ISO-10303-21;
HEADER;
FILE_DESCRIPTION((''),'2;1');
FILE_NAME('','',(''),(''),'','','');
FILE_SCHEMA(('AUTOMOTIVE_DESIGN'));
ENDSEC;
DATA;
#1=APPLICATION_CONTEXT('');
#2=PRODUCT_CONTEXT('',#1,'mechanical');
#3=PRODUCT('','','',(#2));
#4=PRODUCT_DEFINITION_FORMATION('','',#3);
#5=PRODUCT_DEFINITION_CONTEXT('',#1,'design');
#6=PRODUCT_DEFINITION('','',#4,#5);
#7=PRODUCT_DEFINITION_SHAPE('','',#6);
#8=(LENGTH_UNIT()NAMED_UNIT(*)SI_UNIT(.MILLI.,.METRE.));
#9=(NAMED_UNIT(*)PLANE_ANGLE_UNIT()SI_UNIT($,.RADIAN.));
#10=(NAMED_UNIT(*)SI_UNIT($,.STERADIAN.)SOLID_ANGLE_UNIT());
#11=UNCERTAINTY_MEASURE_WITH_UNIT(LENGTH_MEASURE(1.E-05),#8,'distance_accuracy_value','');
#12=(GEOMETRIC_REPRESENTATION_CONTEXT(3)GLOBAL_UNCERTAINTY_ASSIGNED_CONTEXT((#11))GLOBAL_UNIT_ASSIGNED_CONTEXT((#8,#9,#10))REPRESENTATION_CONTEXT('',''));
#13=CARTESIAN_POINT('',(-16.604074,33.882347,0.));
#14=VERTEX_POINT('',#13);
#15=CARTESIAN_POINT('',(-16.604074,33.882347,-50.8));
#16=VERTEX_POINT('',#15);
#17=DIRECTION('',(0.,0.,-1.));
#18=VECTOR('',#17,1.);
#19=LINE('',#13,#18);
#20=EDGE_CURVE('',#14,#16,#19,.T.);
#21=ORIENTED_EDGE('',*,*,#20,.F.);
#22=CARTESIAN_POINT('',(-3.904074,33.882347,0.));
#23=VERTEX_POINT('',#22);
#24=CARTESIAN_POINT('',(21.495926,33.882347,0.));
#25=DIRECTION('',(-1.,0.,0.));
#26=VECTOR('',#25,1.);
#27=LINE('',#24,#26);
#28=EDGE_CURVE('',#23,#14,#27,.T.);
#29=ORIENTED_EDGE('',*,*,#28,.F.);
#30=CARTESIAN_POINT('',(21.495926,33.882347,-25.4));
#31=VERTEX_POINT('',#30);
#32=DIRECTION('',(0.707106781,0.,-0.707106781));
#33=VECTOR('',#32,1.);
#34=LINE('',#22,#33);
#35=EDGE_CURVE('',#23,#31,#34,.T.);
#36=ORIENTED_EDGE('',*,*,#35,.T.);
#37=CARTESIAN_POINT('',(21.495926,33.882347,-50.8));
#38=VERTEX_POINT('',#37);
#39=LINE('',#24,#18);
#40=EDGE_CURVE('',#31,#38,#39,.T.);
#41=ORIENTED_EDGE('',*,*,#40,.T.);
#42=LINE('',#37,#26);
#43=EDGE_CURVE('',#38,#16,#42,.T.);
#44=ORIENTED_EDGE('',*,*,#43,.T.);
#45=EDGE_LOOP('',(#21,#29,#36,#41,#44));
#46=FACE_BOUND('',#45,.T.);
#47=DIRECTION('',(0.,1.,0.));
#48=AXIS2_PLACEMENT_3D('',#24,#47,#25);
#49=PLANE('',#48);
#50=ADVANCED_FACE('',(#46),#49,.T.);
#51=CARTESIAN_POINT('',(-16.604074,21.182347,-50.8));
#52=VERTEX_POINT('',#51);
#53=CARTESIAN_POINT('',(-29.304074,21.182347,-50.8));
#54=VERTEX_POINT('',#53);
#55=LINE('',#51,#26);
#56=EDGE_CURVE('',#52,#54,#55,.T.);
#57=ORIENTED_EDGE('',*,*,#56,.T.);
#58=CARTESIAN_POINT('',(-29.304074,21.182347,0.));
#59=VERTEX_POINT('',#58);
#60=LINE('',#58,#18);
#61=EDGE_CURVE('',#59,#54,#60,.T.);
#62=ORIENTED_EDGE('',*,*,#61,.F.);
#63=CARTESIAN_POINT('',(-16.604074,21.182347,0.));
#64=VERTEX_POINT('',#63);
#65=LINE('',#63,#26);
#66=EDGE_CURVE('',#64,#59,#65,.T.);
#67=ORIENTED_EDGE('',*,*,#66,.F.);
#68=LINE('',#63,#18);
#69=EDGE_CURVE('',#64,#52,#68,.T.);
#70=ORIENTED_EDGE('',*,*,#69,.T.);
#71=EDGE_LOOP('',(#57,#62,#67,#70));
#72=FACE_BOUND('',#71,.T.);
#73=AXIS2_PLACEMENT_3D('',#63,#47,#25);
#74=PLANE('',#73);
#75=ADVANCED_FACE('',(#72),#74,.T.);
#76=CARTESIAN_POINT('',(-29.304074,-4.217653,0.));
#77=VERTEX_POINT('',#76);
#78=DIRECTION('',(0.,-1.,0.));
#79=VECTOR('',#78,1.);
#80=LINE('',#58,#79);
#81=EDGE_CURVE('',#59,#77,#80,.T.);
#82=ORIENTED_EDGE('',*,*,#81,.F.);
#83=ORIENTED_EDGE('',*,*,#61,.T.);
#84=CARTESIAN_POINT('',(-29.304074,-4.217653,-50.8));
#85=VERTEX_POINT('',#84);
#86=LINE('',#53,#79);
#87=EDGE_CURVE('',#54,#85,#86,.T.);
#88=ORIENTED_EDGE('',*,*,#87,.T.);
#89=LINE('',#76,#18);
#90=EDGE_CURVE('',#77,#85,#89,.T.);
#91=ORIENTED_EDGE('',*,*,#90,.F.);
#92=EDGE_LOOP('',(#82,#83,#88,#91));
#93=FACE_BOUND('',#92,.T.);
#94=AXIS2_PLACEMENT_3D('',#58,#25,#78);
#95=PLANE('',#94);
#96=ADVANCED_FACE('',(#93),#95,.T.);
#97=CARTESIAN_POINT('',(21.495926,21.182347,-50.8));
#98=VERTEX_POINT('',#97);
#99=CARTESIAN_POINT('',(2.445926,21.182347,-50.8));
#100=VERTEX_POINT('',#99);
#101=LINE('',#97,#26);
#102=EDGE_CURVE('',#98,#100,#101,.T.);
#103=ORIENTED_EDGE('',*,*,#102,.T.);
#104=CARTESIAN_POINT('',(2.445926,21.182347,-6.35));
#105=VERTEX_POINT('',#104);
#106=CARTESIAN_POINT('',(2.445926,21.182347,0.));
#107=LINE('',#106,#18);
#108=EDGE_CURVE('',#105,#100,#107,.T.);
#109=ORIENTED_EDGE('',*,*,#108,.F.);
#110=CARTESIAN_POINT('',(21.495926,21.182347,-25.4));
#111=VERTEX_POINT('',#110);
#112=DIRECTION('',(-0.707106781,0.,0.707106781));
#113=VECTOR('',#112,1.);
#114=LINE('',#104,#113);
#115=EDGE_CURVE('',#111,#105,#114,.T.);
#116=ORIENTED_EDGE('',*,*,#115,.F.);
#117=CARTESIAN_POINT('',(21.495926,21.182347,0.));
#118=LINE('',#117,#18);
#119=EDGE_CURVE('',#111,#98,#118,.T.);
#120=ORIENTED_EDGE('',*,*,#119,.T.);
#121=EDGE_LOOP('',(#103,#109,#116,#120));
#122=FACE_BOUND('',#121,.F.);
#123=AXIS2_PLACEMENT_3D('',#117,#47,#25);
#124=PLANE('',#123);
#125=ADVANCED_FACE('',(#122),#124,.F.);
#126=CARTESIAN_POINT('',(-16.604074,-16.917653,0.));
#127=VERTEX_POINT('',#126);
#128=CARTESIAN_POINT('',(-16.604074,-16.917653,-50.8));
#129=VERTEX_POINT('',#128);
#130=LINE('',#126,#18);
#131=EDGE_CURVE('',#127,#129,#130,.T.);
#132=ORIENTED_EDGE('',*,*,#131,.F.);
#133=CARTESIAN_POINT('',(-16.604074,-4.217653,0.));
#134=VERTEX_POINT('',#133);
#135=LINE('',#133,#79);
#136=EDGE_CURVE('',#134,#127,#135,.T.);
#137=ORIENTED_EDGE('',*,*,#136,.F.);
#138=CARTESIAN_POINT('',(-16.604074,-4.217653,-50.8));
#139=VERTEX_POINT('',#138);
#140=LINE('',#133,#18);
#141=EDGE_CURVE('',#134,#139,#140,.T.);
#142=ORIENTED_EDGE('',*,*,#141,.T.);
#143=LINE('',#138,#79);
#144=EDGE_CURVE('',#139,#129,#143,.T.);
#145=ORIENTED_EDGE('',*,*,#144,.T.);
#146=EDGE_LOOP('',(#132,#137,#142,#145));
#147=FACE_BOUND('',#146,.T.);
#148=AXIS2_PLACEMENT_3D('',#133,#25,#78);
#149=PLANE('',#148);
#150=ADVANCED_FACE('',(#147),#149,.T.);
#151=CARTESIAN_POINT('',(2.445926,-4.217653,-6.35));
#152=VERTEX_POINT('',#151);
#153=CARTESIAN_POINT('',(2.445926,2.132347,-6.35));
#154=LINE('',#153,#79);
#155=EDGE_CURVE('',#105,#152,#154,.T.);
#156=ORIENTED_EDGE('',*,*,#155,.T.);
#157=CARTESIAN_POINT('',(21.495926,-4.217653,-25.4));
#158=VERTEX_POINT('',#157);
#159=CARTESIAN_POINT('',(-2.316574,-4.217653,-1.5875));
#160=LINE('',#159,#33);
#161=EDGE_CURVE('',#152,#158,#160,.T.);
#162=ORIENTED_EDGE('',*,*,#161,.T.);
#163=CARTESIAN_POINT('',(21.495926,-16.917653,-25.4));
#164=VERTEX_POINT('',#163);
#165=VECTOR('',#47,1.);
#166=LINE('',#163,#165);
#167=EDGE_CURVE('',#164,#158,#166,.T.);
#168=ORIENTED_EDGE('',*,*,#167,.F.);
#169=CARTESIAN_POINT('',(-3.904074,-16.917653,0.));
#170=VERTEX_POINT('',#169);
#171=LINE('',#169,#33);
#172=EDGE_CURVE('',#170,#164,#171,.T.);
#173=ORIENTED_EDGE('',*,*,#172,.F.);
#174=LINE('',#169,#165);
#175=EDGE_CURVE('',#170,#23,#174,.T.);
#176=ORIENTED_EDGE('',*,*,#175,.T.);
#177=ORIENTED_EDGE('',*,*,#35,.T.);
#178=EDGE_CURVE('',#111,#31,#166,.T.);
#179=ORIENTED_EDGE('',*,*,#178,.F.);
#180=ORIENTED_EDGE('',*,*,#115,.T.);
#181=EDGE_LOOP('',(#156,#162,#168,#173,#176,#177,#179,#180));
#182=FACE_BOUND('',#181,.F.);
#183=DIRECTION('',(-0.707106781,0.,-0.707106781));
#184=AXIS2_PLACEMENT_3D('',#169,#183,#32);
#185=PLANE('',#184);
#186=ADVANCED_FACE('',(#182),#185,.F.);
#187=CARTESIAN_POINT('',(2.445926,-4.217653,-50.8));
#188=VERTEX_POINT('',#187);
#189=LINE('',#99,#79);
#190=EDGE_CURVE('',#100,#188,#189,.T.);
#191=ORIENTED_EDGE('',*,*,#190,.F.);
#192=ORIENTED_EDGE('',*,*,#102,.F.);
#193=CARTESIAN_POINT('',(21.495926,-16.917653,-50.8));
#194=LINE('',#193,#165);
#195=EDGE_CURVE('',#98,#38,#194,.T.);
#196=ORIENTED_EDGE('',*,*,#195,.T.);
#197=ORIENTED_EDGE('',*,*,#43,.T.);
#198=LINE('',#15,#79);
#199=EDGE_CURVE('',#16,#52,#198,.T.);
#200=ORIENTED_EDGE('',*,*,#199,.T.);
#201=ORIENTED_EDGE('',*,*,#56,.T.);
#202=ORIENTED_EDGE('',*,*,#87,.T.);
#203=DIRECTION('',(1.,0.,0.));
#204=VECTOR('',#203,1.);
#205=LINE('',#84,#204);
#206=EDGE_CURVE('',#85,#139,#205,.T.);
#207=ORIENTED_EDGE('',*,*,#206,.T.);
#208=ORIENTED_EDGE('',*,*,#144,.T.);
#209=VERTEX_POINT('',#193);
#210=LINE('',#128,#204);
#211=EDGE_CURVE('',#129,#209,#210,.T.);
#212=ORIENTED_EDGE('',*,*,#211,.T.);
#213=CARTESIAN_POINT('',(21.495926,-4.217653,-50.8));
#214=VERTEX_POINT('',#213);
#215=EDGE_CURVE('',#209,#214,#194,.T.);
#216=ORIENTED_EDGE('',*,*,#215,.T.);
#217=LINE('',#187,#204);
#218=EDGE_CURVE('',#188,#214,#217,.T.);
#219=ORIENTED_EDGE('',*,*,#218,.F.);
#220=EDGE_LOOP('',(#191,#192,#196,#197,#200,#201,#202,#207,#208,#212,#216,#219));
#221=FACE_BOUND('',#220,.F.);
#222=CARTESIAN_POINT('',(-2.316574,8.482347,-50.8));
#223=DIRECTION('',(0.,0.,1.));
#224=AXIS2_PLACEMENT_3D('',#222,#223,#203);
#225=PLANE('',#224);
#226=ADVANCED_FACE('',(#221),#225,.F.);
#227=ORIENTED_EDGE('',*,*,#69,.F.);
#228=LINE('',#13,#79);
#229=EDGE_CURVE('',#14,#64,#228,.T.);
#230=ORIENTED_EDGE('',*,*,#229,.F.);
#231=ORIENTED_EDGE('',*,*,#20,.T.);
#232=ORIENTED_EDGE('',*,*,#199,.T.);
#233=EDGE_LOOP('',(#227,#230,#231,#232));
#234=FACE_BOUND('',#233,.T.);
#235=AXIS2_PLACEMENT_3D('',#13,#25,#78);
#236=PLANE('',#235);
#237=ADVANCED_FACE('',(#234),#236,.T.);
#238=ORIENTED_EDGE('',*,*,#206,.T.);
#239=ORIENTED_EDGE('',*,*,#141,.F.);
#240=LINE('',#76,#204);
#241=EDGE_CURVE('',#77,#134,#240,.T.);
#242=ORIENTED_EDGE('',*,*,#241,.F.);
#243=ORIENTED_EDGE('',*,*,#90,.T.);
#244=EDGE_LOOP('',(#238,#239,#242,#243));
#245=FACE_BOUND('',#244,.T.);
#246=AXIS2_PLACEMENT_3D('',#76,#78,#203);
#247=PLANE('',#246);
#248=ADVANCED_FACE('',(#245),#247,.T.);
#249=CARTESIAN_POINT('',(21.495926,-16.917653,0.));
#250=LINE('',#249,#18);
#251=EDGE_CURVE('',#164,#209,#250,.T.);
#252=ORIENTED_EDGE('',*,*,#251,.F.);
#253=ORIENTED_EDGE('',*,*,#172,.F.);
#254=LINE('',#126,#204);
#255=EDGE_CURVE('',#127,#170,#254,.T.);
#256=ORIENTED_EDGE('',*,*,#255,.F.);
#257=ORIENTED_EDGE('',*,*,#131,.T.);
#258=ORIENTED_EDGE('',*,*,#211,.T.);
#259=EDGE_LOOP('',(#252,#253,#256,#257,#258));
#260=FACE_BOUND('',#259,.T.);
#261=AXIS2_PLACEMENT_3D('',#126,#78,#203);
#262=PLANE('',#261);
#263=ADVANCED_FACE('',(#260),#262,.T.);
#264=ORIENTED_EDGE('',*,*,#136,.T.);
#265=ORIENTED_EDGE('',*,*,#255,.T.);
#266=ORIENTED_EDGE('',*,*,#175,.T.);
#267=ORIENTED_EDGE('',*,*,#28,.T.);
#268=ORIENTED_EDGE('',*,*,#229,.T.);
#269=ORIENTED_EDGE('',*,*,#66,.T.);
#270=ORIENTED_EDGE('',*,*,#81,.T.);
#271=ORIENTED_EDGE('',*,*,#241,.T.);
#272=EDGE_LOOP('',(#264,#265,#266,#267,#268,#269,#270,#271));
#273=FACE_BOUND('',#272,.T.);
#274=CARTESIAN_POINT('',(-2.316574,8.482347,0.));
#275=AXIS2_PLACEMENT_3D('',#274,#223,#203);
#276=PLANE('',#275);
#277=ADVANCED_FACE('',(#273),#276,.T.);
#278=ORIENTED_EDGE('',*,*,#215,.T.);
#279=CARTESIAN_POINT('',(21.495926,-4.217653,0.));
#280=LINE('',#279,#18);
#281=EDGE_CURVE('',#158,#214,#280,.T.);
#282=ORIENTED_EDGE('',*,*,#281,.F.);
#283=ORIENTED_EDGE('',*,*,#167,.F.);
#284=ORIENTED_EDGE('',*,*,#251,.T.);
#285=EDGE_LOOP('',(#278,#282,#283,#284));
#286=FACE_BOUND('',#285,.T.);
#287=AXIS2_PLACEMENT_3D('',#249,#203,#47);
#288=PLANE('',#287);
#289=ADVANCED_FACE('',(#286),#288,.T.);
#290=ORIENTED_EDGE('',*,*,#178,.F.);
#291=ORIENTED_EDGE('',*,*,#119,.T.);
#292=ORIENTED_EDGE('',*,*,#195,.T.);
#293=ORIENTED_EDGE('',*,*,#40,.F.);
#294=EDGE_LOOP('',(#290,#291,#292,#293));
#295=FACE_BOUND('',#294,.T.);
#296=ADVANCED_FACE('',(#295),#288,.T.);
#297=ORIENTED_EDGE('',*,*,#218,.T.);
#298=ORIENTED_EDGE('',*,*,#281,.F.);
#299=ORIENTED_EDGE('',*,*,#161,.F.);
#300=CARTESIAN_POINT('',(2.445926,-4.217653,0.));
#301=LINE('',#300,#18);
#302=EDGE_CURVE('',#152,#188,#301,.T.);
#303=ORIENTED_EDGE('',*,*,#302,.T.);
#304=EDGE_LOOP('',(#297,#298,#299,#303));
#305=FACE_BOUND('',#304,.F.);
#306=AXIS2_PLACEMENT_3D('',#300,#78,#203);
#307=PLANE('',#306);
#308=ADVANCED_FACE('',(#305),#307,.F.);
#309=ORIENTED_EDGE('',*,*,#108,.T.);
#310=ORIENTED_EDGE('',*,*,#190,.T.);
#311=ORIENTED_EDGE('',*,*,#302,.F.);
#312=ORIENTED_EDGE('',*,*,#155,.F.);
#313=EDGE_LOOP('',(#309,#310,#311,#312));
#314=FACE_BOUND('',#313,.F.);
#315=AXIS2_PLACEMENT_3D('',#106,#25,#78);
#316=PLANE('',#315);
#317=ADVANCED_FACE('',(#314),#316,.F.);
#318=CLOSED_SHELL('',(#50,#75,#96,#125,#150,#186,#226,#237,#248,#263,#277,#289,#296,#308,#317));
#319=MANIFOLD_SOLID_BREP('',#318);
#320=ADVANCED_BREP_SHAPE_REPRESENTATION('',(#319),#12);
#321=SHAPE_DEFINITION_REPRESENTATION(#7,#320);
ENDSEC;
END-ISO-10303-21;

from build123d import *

# Parameters (mm, degrees)
F1_DEPTH = 50.8
F3_DEPTH = 50.8
F5_DEPTH = 50.8


with BuildPart() as f1:
    # F0 (on Top) → F1 (new body)
    with BuildSketch(Plane.XY):
        Polygon((-16.604074, 21.182347), (-29.304074, 21.182347), (-29.304074, -4.217653), (-16.604074, -4.217653), (-16.604074, -16.917653), (21.495926, -16.917653), (21.495926, 33.882347), (-16.604074, 33.882347), align=None)
    extrude(amount=-F1_DEPTH)

    # F2 (on face) → F3 (cut)
    with BuildSketch(Plane.XY):
        Polygon((21.495926, -4.217653), (21.495926, 8.482347), (21.495926, 21.182347), (2.445926, 21.182347), (2.445926, -4.217653), align=None)
    extrude(amount=-F3_DEPTH, mode=Mode.SUBTRACT)

    # F4 (on face) → F5 (cut)
    with BuildSketch(Plane.XZ.offset(16.917653)):
        Polygon((-3.904074, 0), (21.495926, -25.4), (21.495926, 0), align=None)
    extrude(amount=-F5_DEPTH, mode=Mode.SUBTRACT)


solid = f1.part
